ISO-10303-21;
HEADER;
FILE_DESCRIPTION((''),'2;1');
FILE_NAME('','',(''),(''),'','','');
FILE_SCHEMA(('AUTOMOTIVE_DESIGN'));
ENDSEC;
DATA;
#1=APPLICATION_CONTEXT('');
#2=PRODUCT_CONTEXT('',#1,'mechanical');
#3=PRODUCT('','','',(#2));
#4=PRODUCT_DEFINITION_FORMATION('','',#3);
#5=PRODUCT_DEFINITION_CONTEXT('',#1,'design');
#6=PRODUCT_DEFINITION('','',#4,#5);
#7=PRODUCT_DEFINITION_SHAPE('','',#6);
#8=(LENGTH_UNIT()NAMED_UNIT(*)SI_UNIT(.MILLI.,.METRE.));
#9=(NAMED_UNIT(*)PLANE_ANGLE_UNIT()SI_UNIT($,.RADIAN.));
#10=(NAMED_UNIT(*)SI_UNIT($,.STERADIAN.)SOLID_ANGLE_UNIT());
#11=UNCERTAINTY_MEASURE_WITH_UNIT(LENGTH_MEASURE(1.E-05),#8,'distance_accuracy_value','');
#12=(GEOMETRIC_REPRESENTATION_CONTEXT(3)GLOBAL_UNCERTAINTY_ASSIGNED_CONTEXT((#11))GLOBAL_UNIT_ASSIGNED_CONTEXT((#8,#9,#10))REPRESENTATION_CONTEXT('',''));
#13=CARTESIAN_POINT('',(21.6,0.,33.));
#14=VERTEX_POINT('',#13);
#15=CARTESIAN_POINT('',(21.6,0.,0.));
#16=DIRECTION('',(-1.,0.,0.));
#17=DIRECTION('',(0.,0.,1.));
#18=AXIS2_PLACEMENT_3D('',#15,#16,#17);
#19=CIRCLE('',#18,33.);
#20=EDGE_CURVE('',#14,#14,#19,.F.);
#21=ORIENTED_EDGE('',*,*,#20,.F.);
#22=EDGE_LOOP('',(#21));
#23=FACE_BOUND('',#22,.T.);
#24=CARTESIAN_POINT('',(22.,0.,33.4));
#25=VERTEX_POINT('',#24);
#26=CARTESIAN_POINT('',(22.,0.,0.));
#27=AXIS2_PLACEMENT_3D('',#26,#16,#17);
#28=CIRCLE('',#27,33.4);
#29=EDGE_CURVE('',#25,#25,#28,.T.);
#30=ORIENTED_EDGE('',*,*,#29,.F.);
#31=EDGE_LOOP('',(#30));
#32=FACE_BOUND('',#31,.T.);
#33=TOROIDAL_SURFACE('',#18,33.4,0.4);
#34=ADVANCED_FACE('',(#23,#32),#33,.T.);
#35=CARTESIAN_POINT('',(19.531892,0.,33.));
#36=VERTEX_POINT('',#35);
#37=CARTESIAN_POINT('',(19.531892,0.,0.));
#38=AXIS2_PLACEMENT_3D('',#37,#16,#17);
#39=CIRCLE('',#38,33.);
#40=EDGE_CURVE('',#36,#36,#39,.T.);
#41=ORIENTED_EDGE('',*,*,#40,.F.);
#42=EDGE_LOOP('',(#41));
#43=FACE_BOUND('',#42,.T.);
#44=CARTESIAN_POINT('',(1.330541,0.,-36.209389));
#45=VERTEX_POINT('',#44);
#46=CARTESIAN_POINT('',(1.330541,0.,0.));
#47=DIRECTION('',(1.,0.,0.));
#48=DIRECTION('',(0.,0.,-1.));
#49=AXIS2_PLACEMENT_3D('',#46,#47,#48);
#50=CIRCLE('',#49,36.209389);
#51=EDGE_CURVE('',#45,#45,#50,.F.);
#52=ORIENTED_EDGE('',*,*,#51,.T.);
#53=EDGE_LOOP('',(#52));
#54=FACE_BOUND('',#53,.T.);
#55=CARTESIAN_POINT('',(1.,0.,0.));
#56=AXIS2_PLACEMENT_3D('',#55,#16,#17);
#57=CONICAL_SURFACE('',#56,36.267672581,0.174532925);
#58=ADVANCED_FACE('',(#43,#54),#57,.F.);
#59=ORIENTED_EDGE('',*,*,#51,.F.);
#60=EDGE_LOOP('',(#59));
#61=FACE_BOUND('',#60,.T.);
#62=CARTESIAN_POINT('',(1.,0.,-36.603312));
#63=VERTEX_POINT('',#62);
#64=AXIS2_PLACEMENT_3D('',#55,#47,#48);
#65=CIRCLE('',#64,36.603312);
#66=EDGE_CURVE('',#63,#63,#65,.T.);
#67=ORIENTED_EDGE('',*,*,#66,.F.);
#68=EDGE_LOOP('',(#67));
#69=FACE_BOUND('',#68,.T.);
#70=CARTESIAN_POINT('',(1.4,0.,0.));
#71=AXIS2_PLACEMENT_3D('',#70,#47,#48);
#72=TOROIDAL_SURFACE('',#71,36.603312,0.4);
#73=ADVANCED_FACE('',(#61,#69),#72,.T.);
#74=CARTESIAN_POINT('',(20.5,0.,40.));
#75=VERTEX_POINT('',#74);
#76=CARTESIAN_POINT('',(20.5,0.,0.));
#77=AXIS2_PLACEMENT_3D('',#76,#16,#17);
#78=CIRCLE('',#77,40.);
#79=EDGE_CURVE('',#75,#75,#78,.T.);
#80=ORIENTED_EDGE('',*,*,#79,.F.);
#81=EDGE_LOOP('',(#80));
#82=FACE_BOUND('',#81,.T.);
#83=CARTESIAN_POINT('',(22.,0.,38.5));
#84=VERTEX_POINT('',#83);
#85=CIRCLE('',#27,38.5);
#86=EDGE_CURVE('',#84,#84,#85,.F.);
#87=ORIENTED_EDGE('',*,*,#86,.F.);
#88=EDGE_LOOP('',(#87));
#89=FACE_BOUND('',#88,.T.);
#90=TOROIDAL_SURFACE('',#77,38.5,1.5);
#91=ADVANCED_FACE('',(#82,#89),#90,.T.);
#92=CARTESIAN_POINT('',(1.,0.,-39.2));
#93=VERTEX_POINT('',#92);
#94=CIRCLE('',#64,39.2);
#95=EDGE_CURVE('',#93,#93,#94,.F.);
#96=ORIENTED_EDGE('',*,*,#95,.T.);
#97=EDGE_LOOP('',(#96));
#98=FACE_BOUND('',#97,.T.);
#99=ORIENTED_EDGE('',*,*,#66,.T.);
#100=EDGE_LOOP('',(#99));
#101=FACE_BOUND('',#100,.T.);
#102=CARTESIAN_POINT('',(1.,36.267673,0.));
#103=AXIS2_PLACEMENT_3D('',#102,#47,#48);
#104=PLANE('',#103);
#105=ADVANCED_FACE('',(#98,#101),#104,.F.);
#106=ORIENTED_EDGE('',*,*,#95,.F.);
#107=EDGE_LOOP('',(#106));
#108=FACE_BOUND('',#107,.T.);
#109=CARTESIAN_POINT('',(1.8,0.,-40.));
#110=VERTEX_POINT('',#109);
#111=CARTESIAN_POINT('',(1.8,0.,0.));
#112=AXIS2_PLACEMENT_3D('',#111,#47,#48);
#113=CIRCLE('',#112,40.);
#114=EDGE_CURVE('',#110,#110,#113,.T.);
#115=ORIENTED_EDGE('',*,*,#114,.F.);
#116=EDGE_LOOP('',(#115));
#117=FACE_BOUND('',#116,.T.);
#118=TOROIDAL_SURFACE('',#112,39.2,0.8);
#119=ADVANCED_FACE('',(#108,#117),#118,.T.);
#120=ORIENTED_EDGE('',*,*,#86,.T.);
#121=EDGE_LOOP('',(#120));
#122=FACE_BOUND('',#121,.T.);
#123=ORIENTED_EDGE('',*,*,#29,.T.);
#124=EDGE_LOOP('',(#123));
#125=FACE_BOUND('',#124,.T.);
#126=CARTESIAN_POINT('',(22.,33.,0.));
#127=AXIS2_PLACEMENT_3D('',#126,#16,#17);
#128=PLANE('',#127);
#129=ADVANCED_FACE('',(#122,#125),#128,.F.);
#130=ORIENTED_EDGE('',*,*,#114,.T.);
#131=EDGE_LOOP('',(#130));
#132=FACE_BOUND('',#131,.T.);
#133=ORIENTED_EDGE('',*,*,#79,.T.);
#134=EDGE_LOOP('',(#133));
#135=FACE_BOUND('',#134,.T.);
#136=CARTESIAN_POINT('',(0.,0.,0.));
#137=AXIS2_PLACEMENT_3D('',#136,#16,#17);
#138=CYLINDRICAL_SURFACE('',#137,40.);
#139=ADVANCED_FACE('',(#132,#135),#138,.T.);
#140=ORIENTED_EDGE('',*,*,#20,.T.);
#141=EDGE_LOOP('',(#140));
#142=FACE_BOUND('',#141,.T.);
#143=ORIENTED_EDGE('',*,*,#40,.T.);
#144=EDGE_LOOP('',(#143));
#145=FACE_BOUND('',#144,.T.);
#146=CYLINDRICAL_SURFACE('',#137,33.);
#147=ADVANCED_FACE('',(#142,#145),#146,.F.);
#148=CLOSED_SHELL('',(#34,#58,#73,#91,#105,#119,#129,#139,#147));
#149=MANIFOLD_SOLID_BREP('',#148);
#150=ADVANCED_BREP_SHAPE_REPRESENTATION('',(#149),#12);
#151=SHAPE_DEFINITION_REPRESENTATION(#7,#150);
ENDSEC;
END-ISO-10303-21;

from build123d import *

# Parameters (mm, degrees)
FILLET1_R = 1.5
FILLET2_R = 0.8
FILLET3_R = 0.4


with BuildPart() as part:
    # Sketch1 → Revolve1 (revolve)
    with BuildSketch(Plane.XY):
        Polygon((22, 33), (22, 40), (1, 40), (1, 36.267672581), (19.5318921, 33), align=None)
    revolve(axis=Axis((0, 0, 0), (1, 0, 0)))

    # Fillet1
    fillet1_edges = [part.edges().sort_by_distance(p)[0] for p in [
        (22, -40, 0),
    ]]
    fillet(fillet1_edges, radius=FILLET1_R)

    # Fillet2
    fillet2_edges = [part.edges().sort_by_distance(p)[0] for p in [
        (1, -40, 0),
    ]]
    fillet(fillet2_edges, radius=FILLET2_R)

    # Fillet3
    fillet3_edges = [part.edges().sort_by_distance(p)[0] for p in [
        (22, -33, 0),
        (1, -36.267672581, 0),
    ]]
    fillet(fillet3_edges, radius=FILLET3_R)


solid = part.part
